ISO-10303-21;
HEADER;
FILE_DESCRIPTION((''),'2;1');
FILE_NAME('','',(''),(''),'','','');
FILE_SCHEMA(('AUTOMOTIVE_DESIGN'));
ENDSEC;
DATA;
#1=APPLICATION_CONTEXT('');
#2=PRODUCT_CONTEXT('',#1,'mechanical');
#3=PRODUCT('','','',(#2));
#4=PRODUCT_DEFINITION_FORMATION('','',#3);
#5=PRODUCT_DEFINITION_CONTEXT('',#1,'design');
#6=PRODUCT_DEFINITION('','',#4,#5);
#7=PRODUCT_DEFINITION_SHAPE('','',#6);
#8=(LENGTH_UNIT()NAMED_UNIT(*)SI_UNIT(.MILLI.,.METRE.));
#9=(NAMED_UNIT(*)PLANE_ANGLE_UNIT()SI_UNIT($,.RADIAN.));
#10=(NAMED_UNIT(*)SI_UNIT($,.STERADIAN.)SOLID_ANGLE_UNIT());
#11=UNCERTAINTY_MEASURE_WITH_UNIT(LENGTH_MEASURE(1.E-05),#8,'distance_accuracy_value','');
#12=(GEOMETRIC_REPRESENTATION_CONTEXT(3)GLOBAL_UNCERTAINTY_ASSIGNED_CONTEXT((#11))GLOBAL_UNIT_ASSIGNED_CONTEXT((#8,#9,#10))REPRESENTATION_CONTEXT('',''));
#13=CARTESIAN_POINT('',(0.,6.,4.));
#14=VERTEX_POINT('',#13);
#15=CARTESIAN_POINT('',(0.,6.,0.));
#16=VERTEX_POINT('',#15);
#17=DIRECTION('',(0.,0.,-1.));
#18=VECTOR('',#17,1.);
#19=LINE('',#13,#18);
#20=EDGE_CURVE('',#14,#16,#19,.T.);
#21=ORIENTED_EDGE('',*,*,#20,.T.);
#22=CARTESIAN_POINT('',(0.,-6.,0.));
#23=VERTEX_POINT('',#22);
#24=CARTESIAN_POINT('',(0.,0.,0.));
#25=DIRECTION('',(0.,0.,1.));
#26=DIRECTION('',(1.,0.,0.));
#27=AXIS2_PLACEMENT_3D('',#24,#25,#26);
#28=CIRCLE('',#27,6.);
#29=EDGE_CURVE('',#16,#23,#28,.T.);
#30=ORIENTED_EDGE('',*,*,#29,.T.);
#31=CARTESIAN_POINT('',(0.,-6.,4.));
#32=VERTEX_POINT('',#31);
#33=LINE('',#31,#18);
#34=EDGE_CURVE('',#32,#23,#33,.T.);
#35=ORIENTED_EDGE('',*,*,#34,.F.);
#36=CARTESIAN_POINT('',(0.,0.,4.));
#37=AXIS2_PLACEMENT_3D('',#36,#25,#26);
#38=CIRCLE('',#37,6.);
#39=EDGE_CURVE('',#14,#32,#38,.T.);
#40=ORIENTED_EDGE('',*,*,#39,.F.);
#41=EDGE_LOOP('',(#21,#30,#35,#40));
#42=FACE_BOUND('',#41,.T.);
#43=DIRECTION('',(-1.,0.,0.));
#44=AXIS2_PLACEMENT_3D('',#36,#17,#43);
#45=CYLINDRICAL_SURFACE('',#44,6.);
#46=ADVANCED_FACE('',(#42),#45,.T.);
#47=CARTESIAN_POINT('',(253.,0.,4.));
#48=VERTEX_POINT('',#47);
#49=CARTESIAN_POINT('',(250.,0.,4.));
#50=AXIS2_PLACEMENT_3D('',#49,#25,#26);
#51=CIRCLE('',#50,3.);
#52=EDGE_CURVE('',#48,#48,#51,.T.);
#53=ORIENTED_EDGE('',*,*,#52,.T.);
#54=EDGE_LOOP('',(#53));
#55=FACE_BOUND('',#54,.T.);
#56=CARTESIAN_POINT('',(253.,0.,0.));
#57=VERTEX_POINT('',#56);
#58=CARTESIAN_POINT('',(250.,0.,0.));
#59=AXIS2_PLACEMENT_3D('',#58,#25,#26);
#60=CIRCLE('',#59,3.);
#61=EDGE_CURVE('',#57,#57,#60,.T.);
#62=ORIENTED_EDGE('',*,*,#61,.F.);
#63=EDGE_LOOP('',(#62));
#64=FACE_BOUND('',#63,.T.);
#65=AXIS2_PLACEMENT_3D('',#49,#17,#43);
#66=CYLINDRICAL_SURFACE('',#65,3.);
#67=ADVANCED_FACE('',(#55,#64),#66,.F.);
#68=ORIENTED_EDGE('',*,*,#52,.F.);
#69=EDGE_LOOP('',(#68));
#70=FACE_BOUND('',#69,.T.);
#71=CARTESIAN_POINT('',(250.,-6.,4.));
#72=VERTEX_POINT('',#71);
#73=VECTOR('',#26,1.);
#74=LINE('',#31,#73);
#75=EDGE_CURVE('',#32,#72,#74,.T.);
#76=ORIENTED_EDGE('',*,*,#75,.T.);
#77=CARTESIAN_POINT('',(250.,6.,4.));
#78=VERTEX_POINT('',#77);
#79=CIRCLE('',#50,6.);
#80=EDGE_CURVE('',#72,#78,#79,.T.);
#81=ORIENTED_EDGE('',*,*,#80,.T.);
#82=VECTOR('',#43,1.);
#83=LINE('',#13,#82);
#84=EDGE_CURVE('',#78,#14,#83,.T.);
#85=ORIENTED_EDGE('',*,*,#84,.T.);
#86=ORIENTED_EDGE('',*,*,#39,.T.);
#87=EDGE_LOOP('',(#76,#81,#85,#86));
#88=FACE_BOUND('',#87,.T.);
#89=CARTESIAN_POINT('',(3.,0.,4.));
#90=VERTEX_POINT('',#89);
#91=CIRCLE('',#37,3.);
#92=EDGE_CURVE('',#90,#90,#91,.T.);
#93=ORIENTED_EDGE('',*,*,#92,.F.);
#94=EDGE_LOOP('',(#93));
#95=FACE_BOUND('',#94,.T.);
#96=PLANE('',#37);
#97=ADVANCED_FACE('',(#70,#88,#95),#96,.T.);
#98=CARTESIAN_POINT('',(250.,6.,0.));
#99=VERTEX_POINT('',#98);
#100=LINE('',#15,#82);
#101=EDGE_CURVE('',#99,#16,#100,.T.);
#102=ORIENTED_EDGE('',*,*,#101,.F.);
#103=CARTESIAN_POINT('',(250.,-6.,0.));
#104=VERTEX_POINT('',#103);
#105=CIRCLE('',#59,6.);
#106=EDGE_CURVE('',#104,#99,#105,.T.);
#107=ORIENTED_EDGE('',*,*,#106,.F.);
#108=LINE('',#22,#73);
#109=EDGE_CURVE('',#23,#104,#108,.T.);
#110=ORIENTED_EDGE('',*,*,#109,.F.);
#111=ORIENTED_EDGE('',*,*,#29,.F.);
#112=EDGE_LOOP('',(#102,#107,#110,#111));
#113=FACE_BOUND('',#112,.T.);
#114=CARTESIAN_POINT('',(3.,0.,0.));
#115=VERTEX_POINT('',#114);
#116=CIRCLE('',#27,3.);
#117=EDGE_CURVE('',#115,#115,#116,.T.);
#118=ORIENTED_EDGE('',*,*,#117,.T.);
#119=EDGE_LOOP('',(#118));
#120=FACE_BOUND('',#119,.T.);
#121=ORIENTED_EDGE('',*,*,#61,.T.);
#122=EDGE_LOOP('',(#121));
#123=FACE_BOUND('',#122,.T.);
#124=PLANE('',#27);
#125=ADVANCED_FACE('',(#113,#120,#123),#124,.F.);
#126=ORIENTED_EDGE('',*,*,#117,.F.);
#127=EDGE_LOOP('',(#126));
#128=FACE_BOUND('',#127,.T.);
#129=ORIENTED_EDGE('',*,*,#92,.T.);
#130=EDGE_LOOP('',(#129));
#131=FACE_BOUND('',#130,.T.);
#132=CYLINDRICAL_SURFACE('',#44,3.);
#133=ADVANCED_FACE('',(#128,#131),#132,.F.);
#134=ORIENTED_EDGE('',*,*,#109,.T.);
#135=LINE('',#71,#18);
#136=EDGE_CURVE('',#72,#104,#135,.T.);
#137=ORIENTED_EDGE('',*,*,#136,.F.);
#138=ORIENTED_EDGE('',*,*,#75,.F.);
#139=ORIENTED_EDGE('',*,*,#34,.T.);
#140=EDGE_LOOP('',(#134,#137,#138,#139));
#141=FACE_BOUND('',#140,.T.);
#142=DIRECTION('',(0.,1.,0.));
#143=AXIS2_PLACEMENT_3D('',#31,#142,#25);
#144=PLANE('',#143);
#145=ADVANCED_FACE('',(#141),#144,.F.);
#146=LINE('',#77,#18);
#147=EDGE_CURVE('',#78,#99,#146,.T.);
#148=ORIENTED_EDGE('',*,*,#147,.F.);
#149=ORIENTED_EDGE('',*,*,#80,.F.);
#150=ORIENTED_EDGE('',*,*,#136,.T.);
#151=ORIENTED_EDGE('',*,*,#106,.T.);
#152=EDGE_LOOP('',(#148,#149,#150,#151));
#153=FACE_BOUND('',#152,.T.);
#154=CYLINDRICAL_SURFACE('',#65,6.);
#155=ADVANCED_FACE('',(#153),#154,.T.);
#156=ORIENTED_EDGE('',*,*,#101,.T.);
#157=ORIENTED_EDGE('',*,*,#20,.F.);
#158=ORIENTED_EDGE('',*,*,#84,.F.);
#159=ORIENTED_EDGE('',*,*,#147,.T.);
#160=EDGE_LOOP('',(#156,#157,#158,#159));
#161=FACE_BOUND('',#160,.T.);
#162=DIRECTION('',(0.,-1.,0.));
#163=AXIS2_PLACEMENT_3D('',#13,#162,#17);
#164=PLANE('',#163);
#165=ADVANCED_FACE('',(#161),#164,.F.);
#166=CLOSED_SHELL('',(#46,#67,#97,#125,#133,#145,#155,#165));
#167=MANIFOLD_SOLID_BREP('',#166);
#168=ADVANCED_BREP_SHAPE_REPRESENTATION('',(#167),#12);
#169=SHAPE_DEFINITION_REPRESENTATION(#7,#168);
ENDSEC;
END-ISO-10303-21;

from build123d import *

# Parameters (mm, degrees)
SKETCH_1_R      = 3
EXTRUDE_1_DEPTH = 4


with BuildPart() as part:
    # ｽｹｯﾁ1 → ﾎﾞｽ - 押し出し1 (new body)
    with BuildSketch(Plane.XY):
        with BuildLine():
            Line((0, 6), (250, 6))
            ThreePointArc((250, 6), (256, 0), (250, -6))
            Line((250, -6), (0, -6))
            ThreePointArc((0, -6), (-6, 0), (0, 6))
        make_face()
        Circle(SKETCH_1_R, mode=Mode.SUBTRACT)
        with Locations((250, 0)):
            Circle(SKETCH_1_R, mode=Mode.SUBTRACT)
    extrude(amount=EXTRUDE_1_DEPTH)


solid = part.part
